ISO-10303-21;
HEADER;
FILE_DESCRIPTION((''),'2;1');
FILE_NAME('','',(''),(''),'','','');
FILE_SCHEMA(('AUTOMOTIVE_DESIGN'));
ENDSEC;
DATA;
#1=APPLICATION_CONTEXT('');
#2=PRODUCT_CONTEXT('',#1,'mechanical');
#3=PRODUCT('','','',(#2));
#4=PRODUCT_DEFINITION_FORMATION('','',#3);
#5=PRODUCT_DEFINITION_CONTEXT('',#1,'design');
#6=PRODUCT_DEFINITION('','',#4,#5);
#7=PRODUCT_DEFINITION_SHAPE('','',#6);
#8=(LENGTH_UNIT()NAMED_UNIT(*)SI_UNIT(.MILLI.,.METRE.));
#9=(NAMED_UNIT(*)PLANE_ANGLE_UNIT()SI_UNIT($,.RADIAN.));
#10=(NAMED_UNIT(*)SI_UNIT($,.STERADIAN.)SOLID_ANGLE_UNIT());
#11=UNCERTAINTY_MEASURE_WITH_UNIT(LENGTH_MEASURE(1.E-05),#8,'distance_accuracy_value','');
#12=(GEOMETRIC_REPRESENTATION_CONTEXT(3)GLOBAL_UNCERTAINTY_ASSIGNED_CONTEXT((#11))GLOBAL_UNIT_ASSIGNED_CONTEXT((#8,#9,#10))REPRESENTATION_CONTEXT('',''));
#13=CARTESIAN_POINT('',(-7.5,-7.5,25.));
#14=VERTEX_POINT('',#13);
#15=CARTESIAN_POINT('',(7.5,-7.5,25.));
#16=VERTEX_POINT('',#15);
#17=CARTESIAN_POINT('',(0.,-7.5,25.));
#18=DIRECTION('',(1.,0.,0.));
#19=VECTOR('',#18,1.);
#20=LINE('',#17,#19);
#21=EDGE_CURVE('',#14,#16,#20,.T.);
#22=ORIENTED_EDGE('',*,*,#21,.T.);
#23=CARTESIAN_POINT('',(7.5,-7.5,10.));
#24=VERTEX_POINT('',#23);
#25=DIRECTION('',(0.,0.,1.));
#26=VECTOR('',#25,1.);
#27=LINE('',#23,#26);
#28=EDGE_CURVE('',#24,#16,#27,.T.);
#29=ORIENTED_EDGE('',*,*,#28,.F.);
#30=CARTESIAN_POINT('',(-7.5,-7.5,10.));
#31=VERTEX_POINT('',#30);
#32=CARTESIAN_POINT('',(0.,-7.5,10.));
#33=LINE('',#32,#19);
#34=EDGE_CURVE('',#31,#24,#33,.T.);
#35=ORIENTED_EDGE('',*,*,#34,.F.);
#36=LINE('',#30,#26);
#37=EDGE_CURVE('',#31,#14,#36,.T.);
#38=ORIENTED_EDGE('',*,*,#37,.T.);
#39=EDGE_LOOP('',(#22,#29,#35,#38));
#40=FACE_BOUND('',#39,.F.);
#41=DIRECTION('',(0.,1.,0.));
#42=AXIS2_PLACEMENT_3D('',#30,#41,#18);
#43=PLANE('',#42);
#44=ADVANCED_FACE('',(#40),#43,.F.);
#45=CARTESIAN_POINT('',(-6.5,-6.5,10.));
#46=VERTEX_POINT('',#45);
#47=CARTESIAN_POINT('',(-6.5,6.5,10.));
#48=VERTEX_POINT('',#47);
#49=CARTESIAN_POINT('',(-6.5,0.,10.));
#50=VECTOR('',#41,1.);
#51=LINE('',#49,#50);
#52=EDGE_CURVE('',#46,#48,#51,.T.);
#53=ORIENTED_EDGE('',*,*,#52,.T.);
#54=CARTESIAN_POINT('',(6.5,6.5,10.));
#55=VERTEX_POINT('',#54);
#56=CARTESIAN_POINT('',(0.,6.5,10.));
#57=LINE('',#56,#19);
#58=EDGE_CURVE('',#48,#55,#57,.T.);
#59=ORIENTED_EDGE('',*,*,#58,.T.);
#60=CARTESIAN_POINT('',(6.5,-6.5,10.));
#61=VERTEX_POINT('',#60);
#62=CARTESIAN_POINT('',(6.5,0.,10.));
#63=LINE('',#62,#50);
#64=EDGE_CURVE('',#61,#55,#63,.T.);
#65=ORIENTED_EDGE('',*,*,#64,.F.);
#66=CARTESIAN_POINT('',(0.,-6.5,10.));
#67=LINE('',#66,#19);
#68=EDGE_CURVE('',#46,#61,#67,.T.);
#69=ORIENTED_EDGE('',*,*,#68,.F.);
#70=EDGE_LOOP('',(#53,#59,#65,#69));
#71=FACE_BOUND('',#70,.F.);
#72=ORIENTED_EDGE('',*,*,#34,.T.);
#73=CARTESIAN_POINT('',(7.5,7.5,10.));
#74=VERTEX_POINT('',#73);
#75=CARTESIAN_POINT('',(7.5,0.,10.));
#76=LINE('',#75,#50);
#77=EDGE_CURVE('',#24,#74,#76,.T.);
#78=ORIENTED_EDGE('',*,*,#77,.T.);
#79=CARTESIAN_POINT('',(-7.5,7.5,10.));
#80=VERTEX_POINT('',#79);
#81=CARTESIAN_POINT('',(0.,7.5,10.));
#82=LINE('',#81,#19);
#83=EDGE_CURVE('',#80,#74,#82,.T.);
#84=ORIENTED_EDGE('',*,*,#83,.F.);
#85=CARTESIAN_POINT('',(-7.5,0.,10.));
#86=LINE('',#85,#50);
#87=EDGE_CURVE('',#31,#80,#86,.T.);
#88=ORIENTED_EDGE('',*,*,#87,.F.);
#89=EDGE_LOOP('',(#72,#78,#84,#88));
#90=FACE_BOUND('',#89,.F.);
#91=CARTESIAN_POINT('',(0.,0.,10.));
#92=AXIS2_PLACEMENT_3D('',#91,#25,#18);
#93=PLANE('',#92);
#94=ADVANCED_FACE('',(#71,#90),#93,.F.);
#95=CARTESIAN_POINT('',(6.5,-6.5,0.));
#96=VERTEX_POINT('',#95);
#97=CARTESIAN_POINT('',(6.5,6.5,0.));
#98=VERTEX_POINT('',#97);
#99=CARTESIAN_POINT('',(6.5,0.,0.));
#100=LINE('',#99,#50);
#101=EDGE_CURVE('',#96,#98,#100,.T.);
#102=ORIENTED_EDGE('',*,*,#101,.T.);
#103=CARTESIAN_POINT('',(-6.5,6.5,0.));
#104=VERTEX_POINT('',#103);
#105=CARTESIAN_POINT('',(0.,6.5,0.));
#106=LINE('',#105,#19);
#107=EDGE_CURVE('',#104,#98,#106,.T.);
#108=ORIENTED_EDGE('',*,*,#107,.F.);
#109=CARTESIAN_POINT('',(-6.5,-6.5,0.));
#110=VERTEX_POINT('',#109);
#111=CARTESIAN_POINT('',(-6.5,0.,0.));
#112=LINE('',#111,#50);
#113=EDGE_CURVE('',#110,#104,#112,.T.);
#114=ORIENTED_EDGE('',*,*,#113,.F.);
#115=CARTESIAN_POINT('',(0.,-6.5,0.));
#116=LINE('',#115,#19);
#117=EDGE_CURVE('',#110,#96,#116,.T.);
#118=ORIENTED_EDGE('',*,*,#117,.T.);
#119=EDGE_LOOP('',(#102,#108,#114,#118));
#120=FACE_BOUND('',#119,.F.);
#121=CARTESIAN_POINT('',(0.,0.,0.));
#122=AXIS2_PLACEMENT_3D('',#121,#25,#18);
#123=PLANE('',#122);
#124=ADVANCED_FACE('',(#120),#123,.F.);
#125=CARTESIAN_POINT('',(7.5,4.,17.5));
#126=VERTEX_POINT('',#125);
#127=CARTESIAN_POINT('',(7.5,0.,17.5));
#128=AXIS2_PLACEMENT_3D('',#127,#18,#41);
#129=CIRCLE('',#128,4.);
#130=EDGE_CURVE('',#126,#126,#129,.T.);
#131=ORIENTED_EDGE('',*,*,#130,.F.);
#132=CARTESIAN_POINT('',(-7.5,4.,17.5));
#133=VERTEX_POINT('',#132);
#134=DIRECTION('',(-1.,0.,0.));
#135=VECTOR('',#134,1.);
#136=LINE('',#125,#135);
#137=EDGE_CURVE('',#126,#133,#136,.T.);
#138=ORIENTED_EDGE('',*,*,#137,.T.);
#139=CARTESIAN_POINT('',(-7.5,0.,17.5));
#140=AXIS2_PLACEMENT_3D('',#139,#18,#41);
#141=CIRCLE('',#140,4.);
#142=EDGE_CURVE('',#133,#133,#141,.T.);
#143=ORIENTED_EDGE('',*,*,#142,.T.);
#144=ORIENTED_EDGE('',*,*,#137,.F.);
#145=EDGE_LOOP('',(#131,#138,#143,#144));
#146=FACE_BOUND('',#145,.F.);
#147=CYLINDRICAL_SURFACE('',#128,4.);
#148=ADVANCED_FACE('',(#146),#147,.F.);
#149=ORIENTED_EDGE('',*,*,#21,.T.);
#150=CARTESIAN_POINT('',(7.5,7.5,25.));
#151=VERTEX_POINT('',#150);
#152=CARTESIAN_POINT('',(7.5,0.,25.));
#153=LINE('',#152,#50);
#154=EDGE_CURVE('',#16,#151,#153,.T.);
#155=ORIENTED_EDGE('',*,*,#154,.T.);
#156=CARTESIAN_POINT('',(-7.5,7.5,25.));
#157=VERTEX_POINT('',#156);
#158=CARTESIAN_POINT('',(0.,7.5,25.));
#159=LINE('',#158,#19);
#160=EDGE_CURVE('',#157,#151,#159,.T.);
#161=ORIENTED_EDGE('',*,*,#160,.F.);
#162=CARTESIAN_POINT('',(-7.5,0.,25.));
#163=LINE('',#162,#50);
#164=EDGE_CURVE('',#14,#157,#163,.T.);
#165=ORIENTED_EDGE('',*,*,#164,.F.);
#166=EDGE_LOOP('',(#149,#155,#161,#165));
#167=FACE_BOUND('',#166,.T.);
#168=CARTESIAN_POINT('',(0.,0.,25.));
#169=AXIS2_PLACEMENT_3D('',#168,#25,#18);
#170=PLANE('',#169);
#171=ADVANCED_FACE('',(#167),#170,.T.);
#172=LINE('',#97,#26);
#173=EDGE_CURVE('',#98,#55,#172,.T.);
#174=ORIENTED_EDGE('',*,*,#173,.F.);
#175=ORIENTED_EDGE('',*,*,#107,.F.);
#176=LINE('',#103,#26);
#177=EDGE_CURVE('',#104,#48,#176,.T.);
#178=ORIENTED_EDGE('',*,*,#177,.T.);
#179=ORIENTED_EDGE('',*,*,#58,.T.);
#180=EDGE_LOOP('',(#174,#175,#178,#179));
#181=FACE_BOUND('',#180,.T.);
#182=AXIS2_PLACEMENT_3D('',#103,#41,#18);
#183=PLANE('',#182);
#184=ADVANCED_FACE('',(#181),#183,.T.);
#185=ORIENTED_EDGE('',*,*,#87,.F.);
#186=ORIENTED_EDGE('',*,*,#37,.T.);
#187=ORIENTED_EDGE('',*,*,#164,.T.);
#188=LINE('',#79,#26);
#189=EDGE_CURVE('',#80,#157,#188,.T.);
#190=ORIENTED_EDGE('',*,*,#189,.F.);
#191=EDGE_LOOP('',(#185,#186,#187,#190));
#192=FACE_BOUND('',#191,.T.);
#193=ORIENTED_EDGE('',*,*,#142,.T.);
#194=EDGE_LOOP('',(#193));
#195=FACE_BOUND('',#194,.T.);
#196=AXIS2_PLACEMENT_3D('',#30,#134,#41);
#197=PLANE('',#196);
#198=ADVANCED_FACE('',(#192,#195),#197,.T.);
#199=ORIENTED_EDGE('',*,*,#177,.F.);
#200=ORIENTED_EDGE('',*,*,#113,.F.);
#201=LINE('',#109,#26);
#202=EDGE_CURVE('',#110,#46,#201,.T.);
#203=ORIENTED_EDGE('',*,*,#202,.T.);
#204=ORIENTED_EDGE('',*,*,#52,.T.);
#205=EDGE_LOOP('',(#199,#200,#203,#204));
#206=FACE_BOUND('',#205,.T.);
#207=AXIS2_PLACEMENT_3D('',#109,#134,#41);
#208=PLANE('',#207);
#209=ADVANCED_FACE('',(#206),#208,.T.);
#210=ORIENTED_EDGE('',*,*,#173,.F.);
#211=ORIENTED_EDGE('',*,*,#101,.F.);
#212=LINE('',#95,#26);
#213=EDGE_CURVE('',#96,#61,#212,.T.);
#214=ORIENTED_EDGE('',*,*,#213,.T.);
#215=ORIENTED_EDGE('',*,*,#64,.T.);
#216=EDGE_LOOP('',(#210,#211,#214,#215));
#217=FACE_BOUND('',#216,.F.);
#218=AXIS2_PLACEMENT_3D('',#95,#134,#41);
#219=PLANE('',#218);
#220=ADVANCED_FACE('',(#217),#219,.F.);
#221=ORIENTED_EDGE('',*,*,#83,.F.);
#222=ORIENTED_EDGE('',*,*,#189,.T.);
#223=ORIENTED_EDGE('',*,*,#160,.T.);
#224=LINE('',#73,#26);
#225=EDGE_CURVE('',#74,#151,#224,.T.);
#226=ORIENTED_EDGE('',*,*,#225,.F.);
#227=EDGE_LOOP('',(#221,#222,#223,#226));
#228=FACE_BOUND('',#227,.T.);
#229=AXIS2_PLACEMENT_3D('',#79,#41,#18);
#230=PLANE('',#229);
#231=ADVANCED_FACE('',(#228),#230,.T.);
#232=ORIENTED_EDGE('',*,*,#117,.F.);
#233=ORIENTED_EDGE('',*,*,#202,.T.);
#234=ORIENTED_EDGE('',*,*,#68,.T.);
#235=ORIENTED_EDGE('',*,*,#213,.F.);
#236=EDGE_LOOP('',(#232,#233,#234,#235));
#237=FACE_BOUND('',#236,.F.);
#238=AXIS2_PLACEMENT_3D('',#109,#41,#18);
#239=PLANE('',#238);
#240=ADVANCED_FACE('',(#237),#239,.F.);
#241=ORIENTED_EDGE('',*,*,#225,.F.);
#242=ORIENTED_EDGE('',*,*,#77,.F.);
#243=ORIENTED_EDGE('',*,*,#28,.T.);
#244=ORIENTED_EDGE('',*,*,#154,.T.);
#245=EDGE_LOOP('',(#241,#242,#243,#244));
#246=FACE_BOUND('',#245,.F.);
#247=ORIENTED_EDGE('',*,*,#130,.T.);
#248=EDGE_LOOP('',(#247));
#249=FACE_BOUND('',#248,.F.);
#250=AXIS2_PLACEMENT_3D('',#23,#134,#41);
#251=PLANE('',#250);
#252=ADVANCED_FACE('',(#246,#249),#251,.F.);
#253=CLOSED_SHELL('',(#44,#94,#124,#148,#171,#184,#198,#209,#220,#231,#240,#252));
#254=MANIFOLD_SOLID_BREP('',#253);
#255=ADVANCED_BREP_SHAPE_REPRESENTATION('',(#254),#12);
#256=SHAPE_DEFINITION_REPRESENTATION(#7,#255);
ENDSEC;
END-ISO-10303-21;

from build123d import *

# Parameters (mm, degrees)
F0_W     = 13
F0_H     = 13
F1_DEPTH = 10
F2_W     = 15
F2_H     = 15
F2_W_2   = 13
F2_H_2   = 13
F3_DEPTH = 15
F4_R     = 4
F5_DEPTH = 25


with BuildPart() as f1:
    # F0 (on Top) → F1 (new body)
    with BuildSketch(Plane.XY):
        Rectangle(F0_W, F0_H)
    extrude(amount=F1_DEPTH)

    # F2 (on face) → F3 (join)
    with BuildSketch(Plane.XY.offset(10)):
        Rectangle(F2_W, F2_H)
        Rectangle(F2_W_2, F2_H_2, mode=Mode.SUBTRACT)
        Rectangle(F2_W_2, F2_H_2)
    extrude(amount=F3_DEPTH)

    # F4 (on face) → F5 (cut)
    with BuildSketch(Plane.YZ.offset(7.5)):
        with Locations((0, 17.5)):
            Circle(F4_R)
    extrude(amount=-F5_DEPTH, mode=Mode.SUBTRACT)


solid = f1.part
